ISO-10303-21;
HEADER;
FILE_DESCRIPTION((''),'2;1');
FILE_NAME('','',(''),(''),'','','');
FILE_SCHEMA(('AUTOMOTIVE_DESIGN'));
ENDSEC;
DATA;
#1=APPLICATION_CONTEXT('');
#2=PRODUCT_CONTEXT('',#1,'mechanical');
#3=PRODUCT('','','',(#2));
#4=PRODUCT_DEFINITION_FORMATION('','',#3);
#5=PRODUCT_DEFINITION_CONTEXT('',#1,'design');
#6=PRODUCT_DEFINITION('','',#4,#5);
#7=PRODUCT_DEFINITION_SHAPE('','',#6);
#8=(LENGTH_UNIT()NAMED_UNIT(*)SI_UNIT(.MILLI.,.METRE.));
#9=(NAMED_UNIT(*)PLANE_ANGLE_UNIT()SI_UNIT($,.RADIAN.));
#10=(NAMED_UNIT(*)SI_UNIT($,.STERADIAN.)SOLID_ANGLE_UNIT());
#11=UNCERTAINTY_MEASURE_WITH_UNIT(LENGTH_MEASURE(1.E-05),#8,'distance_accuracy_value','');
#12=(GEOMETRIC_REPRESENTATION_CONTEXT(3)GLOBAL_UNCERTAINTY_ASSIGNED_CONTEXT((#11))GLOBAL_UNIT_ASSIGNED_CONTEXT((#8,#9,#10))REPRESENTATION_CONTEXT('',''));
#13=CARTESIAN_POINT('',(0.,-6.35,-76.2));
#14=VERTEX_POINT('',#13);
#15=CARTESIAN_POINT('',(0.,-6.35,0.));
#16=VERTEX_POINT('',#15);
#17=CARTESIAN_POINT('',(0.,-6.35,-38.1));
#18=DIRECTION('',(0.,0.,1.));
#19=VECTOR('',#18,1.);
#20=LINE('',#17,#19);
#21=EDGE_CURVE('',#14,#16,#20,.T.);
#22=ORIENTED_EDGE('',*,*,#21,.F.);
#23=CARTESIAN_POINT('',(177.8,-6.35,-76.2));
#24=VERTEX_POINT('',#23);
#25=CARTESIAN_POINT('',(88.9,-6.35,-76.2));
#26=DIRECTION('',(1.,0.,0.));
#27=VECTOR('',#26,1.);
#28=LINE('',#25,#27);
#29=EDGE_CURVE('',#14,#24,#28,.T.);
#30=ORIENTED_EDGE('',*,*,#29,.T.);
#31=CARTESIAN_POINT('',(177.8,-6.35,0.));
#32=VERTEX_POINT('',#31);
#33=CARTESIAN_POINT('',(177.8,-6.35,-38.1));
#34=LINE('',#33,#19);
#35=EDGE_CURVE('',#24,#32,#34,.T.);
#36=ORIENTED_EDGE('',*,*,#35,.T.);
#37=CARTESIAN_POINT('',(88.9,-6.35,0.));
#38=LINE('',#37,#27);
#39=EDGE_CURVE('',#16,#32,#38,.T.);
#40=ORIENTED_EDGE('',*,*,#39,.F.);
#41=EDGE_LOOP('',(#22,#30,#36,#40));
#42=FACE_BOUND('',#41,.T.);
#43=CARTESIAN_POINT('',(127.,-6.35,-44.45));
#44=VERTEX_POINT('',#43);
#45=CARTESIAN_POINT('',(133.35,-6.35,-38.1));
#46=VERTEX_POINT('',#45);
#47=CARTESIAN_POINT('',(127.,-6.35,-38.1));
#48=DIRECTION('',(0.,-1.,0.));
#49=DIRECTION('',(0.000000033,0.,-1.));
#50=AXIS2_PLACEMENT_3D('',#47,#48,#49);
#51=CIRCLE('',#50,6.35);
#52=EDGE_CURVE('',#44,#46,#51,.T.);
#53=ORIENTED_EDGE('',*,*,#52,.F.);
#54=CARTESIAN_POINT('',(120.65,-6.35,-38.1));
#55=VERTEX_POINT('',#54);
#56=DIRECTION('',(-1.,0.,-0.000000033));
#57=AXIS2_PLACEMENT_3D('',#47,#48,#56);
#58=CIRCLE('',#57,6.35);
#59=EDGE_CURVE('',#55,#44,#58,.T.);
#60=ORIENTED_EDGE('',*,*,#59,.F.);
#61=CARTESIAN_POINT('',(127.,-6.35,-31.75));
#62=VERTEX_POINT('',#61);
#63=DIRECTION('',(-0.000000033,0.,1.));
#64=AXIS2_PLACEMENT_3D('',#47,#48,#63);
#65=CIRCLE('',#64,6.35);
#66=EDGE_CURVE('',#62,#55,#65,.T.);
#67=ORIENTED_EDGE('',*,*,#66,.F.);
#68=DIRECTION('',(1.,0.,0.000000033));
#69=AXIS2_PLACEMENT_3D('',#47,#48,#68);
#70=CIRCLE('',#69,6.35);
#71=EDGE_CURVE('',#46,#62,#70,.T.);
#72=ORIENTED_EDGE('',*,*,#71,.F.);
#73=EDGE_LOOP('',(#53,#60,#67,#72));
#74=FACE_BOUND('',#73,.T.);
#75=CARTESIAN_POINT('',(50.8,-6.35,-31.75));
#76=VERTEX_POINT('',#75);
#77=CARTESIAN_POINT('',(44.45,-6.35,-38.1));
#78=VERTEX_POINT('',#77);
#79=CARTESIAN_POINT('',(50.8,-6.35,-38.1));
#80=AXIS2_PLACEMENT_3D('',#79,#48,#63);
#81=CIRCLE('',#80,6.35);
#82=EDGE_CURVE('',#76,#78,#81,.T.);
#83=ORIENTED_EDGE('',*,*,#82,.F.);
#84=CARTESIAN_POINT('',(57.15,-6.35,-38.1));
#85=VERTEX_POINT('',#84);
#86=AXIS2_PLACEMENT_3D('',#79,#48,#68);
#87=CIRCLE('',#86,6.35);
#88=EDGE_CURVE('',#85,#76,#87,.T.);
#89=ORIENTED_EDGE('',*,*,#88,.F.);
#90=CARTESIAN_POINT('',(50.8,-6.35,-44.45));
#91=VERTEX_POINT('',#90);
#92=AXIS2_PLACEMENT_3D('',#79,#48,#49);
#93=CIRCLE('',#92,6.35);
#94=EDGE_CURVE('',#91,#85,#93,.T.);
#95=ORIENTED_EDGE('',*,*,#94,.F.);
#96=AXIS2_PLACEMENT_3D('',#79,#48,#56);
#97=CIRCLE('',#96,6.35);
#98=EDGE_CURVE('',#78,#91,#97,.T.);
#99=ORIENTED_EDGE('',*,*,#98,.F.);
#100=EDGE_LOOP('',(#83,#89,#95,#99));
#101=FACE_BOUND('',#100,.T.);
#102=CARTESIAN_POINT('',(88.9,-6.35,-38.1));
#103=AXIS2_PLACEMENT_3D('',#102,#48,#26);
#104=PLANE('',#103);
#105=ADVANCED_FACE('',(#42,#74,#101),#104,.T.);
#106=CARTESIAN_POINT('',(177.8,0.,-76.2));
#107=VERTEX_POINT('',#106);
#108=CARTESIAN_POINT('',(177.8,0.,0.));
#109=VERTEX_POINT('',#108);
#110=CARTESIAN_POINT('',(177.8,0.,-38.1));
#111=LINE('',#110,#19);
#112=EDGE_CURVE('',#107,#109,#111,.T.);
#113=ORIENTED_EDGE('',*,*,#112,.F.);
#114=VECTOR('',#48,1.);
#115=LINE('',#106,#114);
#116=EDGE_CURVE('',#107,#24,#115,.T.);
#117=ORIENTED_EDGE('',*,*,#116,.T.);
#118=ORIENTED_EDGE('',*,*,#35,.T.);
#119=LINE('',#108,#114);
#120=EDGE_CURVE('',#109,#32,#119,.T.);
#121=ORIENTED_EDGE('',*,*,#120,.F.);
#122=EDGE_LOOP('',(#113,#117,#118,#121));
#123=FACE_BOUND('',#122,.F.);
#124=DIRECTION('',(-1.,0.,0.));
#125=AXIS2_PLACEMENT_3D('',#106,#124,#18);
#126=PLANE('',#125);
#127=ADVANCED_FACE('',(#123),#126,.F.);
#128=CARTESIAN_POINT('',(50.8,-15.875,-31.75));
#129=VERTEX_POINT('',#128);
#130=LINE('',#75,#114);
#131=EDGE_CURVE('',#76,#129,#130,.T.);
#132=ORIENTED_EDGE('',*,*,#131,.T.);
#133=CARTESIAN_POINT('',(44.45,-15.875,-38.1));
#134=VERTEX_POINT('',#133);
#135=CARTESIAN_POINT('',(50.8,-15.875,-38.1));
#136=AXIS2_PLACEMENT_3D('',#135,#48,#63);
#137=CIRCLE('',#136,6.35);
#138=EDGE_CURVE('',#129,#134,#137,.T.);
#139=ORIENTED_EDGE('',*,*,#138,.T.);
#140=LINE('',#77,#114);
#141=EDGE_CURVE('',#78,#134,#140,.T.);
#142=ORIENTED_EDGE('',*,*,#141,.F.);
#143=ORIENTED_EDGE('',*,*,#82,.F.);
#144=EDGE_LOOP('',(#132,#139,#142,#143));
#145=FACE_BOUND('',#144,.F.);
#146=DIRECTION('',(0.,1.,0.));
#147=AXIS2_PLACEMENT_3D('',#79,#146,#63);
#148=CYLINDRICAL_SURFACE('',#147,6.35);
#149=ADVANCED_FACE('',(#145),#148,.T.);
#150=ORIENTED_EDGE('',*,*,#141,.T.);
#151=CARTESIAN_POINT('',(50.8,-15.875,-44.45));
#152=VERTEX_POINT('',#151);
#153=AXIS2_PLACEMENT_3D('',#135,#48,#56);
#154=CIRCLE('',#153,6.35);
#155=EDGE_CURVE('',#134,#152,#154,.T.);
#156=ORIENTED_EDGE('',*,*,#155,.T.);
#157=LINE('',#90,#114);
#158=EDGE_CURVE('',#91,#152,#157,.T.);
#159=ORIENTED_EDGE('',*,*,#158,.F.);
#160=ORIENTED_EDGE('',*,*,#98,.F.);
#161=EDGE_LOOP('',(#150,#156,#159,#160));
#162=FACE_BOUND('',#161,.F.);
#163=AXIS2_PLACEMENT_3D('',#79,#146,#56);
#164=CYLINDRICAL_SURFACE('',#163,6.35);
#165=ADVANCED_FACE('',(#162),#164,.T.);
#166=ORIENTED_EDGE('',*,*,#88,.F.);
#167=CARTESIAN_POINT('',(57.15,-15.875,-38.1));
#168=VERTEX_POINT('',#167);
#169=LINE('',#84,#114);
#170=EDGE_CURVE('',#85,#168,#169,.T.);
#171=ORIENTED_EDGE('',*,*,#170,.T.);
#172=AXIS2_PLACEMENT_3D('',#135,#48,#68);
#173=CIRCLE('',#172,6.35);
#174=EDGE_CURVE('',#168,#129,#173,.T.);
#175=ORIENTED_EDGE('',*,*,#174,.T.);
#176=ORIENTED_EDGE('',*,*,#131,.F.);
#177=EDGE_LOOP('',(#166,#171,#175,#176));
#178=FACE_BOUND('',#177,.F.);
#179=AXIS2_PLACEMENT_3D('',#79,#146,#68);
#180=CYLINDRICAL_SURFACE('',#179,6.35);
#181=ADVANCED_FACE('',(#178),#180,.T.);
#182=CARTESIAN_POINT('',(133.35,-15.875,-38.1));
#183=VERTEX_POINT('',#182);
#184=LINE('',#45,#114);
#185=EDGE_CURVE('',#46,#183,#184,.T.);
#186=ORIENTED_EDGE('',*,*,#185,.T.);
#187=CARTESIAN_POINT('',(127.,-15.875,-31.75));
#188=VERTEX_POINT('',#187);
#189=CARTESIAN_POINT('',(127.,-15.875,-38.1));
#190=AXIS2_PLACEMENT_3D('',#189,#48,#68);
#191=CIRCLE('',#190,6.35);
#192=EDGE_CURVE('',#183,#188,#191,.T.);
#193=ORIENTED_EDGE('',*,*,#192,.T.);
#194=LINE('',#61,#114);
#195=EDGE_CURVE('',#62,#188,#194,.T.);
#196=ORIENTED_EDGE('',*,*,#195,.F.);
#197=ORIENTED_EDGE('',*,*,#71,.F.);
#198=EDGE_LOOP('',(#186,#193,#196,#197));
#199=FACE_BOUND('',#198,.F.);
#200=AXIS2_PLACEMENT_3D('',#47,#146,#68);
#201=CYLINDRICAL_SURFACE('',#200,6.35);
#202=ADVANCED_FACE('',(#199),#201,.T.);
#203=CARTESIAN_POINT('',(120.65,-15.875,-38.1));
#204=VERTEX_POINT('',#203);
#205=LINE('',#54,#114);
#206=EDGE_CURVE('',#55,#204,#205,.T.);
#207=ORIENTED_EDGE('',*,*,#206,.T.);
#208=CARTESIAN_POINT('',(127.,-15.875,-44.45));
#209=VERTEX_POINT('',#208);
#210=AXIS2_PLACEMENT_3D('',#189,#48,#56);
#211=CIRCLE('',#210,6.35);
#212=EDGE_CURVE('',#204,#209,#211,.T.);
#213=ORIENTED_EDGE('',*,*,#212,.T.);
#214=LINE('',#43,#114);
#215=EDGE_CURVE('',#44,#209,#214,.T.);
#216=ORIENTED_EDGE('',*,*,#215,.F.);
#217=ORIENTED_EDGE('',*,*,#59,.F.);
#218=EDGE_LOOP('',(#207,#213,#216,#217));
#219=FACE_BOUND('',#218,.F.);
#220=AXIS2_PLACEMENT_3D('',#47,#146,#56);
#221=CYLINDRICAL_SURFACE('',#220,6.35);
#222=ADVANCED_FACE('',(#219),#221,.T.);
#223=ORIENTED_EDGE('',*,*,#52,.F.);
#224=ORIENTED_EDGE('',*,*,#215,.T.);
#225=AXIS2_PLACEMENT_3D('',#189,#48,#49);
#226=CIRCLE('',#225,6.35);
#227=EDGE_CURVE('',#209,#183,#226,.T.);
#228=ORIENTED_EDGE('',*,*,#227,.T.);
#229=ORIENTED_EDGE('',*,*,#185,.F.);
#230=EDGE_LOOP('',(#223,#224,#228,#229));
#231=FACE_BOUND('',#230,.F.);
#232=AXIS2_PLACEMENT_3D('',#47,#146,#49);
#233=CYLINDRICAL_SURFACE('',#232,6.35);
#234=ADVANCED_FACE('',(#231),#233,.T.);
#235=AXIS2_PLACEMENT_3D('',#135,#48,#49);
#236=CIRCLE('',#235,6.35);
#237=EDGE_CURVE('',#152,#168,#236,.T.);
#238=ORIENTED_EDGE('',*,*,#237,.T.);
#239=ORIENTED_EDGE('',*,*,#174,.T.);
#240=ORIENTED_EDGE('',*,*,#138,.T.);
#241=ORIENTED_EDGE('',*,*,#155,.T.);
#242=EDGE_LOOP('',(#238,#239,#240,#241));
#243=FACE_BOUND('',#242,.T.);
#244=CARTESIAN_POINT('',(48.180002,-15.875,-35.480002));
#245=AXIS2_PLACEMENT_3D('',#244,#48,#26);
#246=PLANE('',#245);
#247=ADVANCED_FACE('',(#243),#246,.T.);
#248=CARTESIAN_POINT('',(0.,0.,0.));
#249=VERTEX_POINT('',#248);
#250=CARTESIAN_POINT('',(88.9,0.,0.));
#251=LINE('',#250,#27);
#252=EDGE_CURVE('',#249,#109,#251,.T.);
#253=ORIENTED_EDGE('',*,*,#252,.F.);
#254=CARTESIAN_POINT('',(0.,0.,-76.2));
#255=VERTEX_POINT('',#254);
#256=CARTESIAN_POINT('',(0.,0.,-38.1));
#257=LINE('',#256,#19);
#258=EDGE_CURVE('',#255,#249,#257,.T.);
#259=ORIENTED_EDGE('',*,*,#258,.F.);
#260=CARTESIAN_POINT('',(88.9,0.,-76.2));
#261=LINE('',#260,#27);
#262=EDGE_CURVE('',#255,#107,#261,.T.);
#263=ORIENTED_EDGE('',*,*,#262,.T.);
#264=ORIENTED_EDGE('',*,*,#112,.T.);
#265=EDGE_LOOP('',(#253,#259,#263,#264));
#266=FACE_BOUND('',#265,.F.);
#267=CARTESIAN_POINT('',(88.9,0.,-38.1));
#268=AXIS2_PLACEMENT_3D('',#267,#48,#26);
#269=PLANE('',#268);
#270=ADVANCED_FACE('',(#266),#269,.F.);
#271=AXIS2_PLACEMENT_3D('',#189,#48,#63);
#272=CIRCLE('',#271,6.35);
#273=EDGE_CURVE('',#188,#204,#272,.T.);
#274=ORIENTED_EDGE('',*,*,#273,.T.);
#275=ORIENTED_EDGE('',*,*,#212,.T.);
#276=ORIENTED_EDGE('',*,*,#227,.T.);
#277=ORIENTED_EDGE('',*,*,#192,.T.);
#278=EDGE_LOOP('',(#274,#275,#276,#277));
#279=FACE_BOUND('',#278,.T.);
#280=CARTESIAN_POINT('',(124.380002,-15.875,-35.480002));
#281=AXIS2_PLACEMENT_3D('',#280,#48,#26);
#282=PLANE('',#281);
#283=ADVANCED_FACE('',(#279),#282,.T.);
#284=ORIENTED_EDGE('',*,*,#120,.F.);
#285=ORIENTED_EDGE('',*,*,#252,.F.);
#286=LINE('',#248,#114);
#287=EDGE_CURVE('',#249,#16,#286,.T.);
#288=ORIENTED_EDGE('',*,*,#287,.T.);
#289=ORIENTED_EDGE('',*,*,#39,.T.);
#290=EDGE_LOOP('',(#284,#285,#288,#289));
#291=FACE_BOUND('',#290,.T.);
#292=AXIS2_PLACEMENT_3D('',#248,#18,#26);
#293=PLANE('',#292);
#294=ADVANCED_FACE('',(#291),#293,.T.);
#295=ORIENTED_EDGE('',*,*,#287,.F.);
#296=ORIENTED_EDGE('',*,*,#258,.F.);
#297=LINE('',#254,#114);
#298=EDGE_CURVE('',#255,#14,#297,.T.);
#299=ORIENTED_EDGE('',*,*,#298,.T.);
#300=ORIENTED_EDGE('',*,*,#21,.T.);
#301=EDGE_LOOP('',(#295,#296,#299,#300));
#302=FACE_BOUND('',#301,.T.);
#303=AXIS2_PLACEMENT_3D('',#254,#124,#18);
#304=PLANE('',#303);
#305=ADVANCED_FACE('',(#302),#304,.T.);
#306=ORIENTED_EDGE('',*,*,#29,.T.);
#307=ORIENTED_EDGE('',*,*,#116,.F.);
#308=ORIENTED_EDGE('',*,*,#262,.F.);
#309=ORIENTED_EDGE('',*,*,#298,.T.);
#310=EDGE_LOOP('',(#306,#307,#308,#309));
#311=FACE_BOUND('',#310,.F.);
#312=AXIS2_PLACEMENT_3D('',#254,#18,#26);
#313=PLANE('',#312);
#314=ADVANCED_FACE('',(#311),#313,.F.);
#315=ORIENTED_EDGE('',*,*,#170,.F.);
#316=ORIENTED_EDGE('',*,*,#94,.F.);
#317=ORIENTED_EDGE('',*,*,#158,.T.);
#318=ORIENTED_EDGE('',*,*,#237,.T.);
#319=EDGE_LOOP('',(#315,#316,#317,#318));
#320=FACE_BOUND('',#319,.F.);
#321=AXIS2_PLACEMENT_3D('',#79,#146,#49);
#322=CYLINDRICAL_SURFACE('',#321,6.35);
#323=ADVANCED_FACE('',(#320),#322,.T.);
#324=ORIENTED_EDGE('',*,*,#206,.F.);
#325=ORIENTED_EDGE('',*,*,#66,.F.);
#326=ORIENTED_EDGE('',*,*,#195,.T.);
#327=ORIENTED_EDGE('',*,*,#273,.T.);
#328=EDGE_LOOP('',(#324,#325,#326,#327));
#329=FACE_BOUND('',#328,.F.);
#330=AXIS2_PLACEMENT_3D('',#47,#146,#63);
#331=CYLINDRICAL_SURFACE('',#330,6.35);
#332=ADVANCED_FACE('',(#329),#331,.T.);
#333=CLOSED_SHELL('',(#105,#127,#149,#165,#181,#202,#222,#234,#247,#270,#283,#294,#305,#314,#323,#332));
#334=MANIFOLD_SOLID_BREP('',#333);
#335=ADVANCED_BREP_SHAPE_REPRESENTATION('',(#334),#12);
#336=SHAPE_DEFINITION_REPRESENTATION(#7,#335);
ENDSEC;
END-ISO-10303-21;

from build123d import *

# Parameters (mm, degrees)
F0_W     = 177.8
F0_H     = 76.2
F1_DEPTH = 6.35
F3_DEPTH = 9.525


with BuildPart() as f1:
    # F0 (on Front) → F1 (new body)
    with BuildSketch(Plane.XZ):
        with Locations((88.9, -38.1)):
            Rectangle(F0_W, F0_H)
    extrude(amount=F1_DEPTH)

    # F2 (on face) → F3 (join)
    with BuildSketch(Plane.XZ.offset(6.35)):
        with BuildLine():
            ThreePointArc((50.8, -31.75), (46.309872, -33.609872), (44.45, -38.1))
            Line((44.45, -38.1), (50.8, -38.1))
            Line((50.8, -38.1), (50.8, -31.75))
        make_face()
        with BuildLine():
            ThreePointArc((127, -31.75), (122.509872, -33.609872), (120.65, -38.1))
            Line((120.65, -38.1), (127, -38.1))
            Line((127, -38.1), (127, -31.75))
        make_face()
        with BuildLine():
            Line((127, -38.1), (120.65, -38.1))
            ThreePointArc((120.65, -38.1), (122.509872, -42.590128), (127, -44.45))
            Line((127, -44.45), (127, -38.1))
        make_face()
        with BuildLine():
            Line((50.8, -38.1), (44.45, -38.1))
            ThreePointArc((44.45, -38.1), (46.309872, -42.590128), (50.8, -44.45))
            Line((50.8, -44.45), (50.8, -38.1))
        make_face()
        with BuildLine():
            Line((50.8, -31.75), (50.8, -38.1))
            Line((50.8, -38.1), (57.15, -38.1))
            ThreePointArc((57.15, -38.1), (55.290128, -33.609872), (50.8, -31.75))
        make_face()
        with BuildLine():
            Line((57.15, -38.1), (50.8, -38.1))
            Line((50.8, -38.1), (50.8, -44.45))
            ThreePointArc((50.8, -44.45), (55.290128, -42.590128), (57.15, -38.1))
        make_face()
        with BuildLine():
            Line((127, -31.75), (127, -38.1))
            Line((127, -38.1), (133.35, -38.1))
            ThreePointArc((133.35, -38.1), (131.490128, -33.609872), (127, -31.75))
        make_face()
        with BuildLine():
            Line((133.35, -38.1), (127, -38.1))
            Line((127, -38.1), (127, -44.45))
            ThreePointArc((127, -44.45), (131.490128, -42.590128), (133.35, -38.1))
        make_face()
    extrude(amount=F3_DEPTH)


solid = f1.part
